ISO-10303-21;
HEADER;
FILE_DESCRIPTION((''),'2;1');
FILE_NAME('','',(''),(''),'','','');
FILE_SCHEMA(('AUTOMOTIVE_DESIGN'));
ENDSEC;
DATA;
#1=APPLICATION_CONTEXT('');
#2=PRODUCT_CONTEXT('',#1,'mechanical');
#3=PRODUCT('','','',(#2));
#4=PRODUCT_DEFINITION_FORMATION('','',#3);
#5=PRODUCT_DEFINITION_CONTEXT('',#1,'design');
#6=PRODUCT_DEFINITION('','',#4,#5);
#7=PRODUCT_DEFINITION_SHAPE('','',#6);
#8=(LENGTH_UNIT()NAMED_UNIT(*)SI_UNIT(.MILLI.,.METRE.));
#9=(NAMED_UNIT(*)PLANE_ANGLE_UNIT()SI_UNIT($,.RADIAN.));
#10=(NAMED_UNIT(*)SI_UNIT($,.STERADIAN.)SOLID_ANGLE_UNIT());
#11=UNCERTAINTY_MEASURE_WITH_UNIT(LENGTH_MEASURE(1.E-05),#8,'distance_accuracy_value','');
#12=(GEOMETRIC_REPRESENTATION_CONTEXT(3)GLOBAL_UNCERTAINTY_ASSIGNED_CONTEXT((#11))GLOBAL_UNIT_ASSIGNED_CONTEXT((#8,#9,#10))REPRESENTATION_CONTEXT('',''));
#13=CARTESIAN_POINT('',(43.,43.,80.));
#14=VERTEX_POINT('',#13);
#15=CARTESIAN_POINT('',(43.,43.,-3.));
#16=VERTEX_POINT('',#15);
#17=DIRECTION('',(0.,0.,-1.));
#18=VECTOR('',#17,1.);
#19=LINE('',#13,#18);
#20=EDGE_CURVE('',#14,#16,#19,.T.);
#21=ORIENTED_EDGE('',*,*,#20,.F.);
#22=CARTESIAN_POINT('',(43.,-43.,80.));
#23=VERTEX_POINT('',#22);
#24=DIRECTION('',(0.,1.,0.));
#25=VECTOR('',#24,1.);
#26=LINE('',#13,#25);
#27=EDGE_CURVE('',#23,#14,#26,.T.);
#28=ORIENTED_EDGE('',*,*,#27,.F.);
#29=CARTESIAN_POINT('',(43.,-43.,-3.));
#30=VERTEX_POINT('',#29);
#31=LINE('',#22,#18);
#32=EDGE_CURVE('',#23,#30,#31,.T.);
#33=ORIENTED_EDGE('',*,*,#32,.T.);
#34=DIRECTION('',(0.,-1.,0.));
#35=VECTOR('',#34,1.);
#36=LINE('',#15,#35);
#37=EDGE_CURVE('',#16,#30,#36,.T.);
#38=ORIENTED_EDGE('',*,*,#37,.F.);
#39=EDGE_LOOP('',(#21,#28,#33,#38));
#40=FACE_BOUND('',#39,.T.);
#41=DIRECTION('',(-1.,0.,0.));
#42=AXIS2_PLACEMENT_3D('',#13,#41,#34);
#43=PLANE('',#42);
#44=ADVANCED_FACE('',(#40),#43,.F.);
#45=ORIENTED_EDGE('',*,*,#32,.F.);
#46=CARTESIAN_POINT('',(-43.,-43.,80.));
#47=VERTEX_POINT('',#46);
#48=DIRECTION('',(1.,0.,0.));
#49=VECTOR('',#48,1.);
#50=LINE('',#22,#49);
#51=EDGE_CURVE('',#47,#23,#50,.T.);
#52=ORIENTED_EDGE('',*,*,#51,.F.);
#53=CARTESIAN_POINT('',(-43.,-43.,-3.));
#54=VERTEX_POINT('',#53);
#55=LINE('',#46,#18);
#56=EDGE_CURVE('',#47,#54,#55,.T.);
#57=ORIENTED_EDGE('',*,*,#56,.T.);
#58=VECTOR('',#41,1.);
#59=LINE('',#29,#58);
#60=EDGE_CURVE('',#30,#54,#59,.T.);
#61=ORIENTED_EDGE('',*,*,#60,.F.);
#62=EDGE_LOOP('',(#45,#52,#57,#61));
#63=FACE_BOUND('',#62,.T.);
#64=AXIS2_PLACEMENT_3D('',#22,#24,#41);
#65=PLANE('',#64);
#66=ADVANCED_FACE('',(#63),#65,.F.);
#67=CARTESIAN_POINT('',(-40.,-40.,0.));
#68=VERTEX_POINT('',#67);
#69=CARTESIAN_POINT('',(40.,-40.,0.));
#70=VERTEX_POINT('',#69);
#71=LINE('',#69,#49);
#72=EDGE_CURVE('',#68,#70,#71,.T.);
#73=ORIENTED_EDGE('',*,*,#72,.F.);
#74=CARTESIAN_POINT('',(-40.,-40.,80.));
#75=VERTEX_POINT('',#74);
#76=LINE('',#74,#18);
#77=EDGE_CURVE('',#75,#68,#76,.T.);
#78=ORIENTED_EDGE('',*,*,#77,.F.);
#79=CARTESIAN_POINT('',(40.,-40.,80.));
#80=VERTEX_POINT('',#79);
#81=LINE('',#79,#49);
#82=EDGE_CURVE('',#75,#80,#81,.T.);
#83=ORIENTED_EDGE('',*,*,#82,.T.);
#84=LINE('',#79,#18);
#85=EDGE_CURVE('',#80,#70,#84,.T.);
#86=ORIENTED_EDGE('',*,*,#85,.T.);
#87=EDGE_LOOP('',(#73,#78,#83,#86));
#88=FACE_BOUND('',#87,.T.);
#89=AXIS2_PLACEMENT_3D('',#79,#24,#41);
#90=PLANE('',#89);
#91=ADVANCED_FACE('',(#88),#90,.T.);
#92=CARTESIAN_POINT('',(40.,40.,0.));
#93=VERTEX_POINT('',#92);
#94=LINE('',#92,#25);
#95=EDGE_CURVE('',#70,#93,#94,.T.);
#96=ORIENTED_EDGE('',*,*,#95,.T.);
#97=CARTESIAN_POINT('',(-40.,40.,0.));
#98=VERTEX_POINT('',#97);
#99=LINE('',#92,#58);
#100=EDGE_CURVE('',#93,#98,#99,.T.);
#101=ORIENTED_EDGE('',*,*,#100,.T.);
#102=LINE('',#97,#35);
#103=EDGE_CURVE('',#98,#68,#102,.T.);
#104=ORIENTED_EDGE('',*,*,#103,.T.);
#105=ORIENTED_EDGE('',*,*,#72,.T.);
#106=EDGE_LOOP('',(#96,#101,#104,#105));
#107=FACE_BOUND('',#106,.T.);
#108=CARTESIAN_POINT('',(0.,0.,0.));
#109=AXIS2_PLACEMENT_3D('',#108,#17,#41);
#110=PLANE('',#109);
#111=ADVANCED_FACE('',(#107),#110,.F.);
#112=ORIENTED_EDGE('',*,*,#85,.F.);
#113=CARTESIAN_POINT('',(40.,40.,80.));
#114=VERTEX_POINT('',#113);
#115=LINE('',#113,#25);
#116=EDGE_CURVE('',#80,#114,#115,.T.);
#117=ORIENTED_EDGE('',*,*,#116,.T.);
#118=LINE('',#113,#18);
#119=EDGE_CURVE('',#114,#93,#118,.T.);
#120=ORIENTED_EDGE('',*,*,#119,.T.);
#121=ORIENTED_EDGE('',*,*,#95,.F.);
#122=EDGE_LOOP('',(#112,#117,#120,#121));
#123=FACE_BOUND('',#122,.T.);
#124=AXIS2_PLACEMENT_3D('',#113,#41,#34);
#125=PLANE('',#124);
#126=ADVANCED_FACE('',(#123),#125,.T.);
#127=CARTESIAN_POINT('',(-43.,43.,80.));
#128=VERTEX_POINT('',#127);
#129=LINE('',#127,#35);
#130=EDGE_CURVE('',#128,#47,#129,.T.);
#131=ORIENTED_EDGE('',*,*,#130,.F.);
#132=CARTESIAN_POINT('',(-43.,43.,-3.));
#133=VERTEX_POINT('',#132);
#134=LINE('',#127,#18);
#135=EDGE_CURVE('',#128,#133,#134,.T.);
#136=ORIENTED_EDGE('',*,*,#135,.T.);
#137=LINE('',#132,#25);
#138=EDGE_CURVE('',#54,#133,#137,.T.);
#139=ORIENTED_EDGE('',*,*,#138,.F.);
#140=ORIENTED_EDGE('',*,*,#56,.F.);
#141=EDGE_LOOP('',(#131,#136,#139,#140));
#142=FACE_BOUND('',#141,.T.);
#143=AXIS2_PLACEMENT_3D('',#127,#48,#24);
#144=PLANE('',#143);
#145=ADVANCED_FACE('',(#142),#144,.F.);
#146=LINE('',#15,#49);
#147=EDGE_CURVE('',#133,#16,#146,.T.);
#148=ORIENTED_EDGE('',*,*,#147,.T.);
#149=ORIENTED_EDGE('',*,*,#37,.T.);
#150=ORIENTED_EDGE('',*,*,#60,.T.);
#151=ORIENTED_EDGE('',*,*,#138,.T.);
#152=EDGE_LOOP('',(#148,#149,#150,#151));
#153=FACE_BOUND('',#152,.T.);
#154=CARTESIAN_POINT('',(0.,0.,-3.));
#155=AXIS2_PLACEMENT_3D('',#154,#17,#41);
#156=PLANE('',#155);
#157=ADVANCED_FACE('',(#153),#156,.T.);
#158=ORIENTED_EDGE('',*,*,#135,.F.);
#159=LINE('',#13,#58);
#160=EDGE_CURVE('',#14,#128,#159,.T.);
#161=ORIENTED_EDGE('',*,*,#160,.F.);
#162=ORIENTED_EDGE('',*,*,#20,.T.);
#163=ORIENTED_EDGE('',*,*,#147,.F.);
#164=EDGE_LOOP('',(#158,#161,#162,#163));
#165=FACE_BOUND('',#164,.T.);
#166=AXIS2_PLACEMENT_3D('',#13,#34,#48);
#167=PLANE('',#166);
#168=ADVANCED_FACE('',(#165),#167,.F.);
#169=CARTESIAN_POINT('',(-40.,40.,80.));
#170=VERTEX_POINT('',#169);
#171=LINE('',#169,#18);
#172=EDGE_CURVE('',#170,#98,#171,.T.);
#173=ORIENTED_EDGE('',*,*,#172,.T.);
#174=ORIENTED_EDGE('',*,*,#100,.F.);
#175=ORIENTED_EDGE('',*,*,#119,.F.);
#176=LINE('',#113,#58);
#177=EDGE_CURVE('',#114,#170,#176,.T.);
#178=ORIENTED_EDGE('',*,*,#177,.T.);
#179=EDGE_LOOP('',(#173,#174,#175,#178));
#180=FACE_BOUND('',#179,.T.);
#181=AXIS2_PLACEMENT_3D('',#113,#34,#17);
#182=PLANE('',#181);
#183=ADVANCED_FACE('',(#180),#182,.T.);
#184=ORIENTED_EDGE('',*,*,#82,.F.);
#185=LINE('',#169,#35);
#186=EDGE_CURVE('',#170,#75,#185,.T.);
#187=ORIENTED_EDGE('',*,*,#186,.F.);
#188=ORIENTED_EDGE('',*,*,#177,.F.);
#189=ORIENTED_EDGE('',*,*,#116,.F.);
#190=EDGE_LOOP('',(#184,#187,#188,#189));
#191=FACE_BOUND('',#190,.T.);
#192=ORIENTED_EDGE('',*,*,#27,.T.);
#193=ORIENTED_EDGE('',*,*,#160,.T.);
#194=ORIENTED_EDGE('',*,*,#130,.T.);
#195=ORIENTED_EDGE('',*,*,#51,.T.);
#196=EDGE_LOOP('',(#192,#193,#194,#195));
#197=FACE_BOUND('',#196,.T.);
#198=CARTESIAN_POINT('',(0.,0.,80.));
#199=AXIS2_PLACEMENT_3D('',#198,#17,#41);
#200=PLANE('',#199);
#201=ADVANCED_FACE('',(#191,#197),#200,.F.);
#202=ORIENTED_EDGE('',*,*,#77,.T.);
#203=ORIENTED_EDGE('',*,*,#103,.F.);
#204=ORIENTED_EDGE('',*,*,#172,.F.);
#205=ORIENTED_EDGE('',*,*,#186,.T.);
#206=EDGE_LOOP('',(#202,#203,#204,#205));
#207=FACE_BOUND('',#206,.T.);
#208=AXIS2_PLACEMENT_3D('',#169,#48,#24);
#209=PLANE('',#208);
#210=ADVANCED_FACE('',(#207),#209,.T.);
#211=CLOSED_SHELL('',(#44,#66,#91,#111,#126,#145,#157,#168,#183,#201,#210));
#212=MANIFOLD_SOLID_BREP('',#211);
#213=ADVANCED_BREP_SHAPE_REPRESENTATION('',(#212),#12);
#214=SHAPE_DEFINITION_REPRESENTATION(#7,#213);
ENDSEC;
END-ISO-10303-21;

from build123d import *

# Parameters (mm, degrees)
SKETCH1_W           = 86
SKETCH1_H           = 86
SKETCH1_W_2         = 80
SKETCH1_H_2         = 80
BOSS_EXTRUDE1_DEPTH = 80
SKETCH2_W           = 86
SKETCH2_H           = 86
BOSS_EXTRUDE2_DEPTH = 3


with BuildPart() as part:
    # Sketch1 → Boss-Extrude1 (new body)
    with BuildSketch(Plane.XY):
        Rectangle(SKETCH1_W, SKETCH1_H)
        Rectangle(SKETCH1_W_2, SKETCH1_H_2, mode=Mode.SUBTRACT)
    extrude(amount=BOSS_EXTRUDE1_DEPTH)

    # Sketch2 → Boss-Extrude2 (add)
    with BuildSketch(Plane(origin=(0, 0, 0), x_dir=(-1, 0, 0), z_dir=(0, 0, -1))):
        Rectangle(SKETCH2_W, SKETCH2_H)
    extrude(amount=BOSS_EXTRUDE2_DEPTH)


solid = part.part
